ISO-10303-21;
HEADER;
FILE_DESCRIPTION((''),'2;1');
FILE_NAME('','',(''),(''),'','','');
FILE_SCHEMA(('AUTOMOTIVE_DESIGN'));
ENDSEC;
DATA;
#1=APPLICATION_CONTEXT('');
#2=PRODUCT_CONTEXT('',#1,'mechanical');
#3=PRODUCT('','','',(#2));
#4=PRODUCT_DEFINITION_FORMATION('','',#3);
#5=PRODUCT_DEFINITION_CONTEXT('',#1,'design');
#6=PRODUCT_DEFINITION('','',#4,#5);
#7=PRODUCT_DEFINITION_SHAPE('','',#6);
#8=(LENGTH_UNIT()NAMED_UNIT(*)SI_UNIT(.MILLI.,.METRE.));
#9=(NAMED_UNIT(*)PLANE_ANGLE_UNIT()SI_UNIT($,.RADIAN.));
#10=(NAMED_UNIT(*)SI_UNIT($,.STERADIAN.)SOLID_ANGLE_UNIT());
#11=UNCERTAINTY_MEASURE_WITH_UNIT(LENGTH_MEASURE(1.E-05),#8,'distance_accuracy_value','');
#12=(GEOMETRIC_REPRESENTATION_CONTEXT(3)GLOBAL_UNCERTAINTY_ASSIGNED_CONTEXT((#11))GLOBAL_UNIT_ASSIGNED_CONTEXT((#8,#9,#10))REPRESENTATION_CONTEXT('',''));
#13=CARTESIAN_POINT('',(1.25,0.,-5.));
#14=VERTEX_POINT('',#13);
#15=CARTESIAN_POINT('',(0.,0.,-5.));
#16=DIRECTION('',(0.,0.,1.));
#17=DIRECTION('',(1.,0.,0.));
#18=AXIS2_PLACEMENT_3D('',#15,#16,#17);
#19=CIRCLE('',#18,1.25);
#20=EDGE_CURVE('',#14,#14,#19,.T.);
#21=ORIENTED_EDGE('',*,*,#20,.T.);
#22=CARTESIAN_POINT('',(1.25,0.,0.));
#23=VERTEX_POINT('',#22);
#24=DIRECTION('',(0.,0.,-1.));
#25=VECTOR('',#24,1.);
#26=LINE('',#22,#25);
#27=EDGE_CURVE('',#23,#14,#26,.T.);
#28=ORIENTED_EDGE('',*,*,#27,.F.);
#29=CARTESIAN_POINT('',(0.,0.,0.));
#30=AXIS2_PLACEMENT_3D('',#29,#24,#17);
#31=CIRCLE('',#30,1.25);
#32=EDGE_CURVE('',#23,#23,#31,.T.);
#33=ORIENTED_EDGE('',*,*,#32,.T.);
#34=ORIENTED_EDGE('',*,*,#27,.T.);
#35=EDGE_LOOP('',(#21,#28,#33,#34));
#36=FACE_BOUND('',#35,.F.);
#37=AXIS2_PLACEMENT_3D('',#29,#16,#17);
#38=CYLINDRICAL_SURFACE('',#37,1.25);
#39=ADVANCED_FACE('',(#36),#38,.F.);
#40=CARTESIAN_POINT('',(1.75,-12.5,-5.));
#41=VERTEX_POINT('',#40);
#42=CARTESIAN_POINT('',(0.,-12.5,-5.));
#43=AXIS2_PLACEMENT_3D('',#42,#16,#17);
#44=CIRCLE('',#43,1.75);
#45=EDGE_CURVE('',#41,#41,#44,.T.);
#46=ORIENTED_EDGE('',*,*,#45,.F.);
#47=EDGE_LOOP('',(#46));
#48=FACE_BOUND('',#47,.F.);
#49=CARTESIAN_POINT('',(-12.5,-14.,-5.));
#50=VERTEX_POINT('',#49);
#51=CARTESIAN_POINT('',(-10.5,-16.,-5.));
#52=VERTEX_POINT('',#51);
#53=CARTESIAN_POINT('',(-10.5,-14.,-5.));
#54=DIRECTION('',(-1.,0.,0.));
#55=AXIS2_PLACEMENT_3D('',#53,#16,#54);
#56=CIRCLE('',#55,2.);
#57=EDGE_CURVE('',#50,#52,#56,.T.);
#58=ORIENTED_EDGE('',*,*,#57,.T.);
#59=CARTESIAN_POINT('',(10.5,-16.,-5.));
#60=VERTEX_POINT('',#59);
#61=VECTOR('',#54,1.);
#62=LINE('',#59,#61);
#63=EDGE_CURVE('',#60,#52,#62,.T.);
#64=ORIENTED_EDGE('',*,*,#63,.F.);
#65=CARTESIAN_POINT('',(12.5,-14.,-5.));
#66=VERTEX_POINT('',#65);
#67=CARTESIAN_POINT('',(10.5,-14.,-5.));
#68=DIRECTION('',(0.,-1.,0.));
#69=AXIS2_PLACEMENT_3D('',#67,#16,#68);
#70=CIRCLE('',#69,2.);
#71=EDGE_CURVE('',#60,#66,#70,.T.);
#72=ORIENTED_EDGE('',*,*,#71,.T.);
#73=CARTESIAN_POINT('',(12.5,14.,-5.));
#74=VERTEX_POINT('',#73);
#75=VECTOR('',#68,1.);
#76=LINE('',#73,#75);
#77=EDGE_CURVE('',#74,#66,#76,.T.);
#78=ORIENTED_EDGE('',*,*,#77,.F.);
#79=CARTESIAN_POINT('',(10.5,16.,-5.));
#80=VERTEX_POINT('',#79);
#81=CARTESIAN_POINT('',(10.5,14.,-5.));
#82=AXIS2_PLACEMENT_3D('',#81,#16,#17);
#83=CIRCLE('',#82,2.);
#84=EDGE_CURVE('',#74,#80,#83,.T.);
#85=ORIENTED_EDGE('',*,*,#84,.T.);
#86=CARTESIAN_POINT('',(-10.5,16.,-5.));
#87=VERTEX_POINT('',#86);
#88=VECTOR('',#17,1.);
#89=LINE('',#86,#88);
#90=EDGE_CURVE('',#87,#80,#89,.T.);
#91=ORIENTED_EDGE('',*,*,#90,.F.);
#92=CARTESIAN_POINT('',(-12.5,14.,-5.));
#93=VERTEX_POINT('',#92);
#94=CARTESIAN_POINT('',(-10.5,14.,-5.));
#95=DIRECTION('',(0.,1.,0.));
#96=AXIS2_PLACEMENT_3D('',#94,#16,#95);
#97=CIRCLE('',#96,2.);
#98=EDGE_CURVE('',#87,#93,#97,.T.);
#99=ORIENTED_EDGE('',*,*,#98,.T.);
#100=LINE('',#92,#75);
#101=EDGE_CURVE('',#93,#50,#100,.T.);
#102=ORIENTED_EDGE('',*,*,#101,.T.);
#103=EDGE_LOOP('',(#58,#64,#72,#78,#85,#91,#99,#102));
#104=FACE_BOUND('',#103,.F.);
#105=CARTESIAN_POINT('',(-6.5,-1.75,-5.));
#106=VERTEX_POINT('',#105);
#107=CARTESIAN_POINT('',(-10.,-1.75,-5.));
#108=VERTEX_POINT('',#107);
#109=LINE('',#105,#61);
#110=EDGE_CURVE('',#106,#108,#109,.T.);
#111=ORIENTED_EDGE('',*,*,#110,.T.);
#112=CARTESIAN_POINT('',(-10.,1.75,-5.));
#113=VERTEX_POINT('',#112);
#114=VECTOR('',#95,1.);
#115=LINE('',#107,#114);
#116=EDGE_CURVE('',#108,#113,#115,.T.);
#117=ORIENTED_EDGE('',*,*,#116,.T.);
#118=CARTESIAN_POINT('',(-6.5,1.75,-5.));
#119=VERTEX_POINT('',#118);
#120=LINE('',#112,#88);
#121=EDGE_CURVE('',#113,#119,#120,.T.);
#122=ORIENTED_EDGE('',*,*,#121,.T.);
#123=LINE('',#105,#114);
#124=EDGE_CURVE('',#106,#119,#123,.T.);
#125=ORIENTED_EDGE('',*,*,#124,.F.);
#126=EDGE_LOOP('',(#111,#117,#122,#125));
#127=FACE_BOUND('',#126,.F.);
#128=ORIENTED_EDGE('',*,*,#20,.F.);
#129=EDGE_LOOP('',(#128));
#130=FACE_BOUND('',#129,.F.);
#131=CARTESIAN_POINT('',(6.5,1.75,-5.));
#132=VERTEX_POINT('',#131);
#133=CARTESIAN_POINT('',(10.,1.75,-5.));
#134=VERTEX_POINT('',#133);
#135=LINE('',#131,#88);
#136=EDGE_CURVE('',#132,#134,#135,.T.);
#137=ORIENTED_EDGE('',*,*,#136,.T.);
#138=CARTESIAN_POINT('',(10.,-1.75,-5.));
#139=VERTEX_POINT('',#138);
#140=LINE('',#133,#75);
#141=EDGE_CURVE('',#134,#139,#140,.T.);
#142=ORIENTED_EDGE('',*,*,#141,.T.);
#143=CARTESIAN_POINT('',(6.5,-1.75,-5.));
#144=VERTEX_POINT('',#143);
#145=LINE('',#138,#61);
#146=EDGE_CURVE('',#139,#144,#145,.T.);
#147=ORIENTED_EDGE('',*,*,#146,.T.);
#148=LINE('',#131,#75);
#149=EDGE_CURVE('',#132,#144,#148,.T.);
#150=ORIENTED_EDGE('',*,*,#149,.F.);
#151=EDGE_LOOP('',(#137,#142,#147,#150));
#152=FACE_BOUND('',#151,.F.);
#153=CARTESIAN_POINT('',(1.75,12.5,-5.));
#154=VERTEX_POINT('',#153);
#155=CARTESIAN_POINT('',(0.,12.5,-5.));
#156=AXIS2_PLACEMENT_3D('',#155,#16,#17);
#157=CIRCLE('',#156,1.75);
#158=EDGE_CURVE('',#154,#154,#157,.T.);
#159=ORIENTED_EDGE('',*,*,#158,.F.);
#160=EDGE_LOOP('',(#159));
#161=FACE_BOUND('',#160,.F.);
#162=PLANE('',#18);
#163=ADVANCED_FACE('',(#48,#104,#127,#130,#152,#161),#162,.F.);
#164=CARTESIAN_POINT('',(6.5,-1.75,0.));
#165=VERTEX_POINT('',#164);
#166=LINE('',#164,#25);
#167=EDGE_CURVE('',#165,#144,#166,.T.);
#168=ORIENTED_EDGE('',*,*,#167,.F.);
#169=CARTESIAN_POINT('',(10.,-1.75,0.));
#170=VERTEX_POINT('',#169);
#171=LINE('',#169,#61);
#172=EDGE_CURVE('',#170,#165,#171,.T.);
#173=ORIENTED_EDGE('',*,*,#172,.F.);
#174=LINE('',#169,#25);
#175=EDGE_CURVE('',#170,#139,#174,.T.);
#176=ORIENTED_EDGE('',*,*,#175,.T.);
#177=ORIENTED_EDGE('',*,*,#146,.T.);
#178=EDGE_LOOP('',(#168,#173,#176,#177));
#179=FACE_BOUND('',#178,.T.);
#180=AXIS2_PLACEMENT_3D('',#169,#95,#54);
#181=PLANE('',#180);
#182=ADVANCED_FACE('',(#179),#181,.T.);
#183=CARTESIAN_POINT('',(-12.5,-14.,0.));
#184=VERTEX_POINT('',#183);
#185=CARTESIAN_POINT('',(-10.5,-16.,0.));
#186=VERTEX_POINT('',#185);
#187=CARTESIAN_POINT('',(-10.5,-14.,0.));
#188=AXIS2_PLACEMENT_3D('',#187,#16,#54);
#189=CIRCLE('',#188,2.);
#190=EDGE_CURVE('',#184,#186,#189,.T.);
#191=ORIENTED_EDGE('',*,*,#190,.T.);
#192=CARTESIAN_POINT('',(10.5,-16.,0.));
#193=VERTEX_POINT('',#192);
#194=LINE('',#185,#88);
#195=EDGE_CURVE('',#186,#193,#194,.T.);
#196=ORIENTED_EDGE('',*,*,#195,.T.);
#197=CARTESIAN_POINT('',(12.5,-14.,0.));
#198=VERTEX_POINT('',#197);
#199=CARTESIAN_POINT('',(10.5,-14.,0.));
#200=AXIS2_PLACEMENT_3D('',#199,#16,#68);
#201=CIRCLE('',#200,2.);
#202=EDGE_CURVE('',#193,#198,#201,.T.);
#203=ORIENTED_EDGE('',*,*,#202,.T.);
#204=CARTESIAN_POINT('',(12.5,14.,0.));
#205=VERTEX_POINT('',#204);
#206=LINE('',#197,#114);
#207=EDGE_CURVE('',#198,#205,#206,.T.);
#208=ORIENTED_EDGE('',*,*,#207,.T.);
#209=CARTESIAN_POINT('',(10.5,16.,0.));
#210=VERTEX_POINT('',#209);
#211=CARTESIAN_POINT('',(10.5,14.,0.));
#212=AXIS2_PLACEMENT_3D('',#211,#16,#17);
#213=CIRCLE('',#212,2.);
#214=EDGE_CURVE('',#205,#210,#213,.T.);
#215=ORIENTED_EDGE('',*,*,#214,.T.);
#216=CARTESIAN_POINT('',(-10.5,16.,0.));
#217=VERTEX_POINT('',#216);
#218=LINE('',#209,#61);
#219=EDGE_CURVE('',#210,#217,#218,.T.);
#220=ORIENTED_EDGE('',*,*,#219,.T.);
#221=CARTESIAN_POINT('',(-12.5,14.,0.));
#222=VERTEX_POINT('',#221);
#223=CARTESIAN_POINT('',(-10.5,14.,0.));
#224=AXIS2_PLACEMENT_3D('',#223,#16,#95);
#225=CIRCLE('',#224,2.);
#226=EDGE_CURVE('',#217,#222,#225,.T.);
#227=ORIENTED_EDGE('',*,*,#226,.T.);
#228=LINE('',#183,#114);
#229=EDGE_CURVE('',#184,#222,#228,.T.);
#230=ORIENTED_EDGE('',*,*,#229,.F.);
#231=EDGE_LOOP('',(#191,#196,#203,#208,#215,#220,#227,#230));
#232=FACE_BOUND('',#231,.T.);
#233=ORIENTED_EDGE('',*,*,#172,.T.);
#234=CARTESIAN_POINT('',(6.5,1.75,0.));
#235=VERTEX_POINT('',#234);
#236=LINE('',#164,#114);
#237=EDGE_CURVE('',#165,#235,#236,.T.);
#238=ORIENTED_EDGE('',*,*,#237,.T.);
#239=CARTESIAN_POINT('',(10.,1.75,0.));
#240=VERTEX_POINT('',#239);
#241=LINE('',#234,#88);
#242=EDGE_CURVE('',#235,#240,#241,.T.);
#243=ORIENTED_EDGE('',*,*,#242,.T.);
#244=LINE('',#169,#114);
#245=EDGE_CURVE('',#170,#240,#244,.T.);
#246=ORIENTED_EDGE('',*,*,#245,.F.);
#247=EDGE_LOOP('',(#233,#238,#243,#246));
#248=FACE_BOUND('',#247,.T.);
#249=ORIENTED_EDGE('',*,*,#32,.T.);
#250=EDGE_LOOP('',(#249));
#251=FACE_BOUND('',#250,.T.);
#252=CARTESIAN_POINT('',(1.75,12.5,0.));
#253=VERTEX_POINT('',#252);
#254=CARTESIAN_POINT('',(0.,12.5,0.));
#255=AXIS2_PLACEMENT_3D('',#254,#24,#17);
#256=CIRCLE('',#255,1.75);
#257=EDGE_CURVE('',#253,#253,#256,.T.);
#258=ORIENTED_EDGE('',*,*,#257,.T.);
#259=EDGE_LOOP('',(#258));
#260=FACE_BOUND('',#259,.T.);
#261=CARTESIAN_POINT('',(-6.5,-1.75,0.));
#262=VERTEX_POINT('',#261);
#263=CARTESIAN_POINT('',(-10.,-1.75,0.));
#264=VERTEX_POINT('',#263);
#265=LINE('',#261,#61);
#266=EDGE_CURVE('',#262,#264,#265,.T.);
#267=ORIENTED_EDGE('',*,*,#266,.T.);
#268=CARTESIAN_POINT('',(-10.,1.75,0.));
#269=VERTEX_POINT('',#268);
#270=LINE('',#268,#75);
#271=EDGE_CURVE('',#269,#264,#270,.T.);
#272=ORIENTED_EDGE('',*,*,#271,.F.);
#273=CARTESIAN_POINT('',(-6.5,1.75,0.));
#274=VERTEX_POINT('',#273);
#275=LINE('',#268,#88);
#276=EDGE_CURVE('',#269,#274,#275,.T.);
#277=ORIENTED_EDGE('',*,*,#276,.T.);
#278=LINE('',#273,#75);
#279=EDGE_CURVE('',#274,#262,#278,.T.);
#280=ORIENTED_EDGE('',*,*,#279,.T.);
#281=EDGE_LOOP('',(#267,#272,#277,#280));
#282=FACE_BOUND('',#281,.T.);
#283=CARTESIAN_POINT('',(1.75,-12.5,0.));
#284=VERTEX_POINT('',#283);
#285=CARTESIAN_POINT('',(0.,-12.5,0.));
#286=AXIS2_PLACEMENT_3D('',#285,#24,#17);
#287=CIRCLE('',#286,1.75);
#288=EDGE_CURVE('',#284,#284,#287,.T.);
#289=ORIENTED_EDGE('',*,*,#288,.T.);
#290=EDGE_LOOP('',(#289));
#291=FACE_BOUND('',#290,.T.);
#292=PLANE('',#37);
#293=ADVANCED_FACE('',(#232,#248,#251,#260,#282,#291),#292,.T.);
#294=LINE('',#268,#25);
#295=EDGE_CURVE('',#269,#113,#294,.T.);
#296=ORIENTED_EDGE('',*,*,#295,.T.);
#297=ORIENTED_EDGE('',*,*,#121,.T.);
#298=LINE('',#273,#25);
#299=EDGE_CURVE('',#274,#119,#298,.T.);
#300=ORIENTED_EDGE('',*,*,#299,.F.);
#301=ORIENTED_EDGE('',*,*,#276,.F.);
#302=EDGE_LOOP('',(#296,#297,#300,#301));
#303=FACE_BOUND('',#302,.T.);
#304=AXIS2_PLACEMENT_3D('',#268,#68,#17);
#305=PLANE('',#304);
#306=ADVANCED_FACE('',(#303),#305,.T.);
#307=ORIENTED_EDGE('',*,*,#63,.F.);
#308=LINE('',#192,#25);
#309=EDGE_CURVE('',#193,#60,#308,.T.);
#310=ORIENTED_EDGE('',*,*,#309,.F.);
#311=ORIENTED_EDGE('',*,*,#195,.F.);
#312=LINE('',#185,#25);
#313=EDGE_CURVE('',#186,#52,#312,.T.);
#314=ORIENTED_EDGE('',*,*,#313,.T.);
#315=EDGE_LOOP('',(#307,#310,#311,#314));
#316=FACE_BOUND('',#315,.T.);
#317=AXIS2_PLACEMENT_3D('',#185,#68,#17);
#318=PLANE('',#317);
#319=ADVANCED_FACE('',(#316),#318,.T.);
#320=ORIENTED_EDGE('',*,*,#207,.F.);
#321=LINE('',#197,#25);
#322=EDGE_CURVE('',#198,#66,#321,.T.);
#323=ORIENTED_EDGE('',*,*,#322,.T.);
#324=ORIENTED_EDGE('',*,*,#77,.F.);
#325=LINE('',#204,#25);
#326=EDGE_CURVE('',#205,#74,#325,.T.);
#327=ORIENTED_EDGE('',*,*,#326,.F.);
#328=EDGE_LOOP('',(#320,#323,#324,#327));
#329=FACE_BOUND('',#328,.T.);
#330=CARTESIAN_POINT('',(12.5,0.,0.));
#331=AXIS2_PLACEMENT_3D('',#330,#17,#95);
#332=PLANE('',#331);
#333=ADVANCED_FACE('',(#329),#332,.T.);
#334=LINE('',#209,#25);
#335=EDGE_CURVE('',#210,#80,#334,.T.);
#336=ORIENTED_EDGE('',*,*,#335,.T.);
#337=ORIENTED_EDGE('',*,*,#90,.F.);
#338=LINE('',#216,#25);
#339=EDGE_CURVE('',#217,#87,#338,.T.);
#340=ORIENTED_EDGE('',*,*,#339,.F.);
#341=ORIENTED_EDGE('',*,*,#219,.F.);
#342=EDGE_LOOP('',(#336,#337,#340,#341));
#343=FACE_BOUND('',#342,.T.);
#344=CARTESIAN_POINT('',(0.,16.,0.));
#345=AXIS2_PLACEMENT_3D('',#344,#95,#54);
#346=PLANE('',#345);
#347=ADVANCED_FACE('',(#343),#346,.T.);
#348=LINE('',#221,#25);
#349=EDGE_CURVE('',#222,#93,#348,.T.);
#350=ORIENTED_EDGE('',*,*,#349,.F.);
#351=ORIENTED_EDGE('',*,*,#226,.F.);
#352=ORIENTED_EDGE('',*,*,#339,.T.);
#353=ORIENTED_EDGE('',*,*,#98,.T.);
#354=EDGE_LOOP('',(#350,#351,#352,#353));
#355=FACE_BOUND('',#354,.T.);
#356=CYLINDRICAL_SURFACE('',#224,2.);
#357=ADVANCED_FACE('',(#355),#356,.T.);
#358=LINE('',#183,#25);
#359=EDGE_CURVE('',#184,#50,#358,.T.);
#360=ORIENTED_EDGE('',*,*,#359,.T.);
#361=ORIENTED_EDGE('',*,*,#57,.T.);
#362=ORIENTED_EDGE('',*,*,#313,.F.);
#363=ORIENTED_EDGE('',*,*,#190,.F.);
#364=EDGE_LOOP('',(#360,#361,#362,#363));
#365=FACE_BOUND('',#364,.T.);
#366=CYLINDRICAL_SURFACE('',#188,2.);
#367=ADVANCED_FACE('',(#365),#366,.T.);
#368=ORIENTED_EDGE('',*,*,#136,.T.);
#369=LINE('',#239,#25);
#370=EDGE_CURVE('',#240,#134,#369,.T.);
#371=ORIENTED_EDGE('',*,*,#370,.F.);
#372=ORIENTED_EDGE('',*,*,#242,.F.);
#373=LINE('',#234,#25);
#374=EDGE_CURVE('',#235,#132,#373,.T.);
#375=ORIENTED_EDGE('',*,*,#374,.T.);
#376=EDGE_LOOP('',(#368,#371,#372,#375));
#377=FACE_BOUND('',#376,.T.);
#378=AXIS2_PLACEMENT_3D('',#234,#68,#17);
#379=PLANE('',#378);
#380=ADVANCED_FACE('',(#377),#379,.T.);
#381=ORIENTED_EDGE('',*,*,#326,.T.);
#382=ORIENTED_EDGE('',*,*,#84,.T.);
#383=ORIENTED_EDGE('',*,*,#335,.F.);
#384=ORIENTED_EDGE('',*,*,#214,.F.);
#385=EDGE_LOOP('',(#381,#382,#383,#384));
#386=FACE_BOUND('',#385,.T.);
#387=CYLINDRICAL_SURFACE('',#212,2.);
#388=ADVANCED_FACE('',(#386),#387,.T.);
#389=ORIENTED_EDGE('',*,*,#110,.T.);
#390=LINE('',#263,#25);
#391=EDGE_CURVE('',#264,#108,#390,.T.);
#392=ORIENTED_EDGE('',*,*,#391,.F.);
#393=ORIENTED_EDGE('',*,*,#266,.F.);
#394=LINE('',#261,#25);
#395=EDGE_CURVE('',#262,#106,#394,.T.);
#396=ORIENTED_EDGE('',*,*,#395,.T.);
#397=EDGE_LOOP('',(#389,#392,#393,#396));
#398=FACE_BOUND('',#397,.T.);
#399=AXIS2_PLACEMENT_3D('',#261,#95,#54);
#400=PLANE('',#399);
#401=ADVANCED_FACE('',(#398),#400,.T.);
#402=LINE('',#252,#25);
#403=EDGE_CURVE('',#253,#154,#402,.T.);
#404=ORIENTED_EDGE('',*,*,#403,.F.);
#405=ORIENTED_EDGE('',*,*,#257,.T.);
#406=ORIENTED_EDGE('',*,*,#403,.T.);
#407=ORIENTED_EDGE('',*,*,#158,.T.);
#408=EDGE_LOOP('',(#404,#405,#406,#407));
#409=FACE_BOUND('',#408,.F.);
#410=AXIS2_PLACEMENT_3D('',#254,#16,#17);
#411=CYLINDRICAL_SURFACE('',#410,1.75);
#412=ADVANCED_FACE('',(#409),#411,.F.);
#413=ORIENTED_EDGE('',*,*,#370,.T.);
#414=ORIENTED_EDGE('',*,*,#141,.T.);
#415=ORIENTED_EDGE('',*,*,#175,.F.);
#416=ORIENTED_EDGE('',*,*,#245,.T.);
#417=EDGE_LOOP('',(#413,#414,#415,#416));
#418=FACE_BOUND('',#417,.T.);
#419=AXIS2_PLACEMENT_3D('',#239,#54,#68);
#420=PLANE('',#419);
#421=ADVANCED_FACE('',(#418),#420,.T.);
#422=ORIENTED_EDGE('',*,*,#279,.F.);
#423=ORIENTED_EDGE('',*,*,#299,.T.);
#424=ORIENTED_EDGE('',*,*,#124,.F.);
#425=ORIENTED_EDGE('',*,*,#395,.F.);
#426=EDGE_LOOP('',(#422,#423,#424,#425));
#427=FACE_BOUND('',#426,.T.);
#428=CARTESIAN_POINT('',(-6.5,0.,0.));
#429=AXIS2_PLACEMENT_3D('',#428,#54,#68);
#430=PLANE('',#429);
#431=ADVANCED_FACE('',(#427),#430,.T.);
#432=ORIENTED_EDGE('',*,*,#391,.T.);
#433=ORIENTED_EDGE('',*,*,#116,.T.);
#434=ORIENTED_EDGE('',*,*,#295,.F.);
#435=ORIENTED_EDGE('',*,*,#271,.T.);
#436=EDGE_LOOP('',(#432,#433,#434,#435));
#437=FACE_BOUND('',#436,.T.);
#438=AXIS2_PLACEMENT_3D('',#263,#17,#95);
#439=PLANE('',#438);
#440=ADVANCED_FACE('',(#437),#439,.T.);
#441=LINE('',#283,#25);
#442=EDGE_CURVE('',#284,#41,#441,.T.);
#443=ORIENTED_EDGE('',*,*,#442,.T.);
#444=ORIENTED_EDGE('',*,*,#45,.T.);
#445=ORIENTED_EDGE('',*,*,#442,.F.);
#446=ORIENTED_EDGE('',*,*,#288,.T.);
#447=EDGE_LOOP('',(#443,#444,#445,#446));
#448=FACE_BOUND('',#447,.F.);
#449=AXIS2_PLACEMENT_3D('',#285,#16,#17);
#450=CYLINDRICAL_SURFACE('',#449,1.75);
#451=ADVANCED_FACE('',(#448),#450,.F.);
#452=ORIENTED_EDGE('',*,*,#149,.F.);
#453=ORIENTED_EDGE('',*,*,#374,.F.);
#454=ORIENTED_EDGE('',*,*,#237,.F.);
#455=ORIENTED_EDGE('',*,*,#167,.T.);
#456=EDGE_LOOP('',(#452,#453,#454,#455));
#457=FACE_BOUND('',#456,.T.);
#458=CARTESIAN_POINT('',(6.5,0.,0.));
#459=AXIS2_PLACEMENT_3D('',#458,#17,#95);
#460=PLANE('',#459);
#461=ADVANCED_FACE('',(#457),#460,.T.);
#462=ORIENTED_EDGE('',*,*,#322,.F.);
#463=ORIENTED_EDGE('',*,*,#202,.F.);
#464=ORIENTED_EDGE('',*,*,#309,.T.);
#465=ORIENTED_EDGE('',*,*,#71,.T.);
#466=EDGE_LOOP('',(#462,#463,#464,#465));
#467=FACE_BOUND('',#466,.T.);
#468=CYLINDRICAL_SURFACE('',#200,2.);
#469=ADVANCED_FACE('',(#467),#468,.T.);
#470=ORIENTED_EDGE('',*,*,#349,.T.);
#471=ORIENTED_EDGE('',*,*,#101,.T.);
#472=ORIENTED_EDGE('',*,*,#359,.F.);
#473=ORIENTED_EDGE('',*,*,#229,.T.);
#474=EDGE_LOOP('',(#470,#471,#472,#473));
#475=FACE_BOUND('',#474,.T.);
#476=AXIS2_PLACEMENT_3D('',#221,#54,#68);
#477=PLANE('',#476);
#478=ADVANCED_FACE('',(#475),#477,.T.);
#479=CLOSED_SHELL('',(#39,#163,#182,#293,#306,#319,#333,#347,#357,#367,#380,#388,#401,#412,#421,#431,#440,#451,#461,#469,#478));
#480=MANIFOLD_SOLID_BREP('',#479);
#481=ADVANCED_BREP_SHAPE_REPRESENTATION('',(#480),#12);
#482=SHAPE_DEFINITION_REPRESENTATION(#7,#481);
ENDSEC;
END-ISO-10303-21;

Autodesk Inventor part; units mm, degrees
ref_plane "YZ Plane" through (0, 0, 0) normal (1, 0, 0) x (0, 1, 0)
ref_plane "XZ Plane" through (0, 0, 0) normal (0, 1, 0) x (-1, 0, 0)
ref_plane "XY Plane" through (0, 0, 0) normal (0, 0, 1) x (1, 0, 0)
sketch "Skizze1" plane through (0, 0, 0) normal (0, 0, 1) x (1, 0, 0)
  line L0 (-18.0799, 0) -> (18.0799, 0) projected
  line L1 (0, -22.9799) -> (0, 22.9799) projected
  line L2 (-10.5, -16) -> (10.5, -16)
  line L3 (12.5, -14) -> (12.5, 14)
  line L4 (10.5, 16) -> (-10.5, 16)
  line L5 (-12.5, 14) -> (-12.5, -14)
  line L6 (-12.5, -16) -> (12.5, 16) construction
  line L7 (12.5, -16) -> (-12.5, 16) construction
  arc A0 (-10.5, 16) -> (-12.5, 14) centre (-10.5, 14) ccw
  arc A1 (-12.5, -14) -> (-10.5, -16) centre (-10.5, -14) ccw
  arc A2 (10.5, -16) -> (12.5, -14) centre (10.5, -14) ccw
  arc A3 (12.5, 14) -> (10.5, 16) centre (10.5, 14) ccw
  point P0 (0, 0)
  dimension "d0" = 25
  dimension "d1" = 32
  dimension "d2" = 2
extrude "Extrusion1" add sketch "Skizze1" against normal blind 5
sketch "Skizze2" plane through (0, 0, 0) normal (0, 0, 1) x (1, 0, 0)
  line L0 (12.5, -14) -> (12.5, 14) projected
  arc A0 (12.5, 14) -> (10.5, 16) centre (10.5, 14) ccw projected
  line L1 (10.5, 16) -> (-10.5, 16) projected
  arc A1 (-10.5, 16) -> (-12.5, 14) centre (-10.5, 14) ccw projected
  line L2 (-12.5, 14) -> (-12.5, -14) projected
  arc A2 (-12.5, -14) -> (-10.5, -16) centre (-10.5, -14) ccw projected
  line L3 (-10.5, -16) -> (10.5, -16) projected
  arc A3 (10.5, -16) -> (12.5, -14) centre (10.5, -14) ccw projected
  line L4 (-18.0799, 0) -> (18.0799, 0) projected
  line L5 (0, -22.9799) -> (0, 22.9799) projected
  circle A4 centre (0, 12.5) radius 1.75
  circle A5 centre (0, -12.5) radius 1.75
  point P0 (0, 0)
  dimension "d5" = 3.5
  dimension "d6" = 3.5
  dimension "d7" = 25
  dimension "d8" = 3.5
extrude "Extrusion2" cut sketch "Skizze2" against normal blind 5 contours A5 L5 | L5 A5 | A4 L5 | L5 A4
sketch "Skizze3" plane through (0, 0, 0) normal (0, 0, 1) x (1, 0, 0)
  circle A0 centre (0, -12.5) radius 1.75 projected
  circle A1 centre (0, 12.5) radius 1.75 projected
  line L0 (12.5, -14) -> (12.5, 14) projected
  arc A2 (12.5, 14) -> (10.5, 16) centre (10.5, 14) ccw projected
  line L1 (10.5, 16) -> (-10.5, 16) projected
  arc A3 (-10.5, 16) -> (-12.5, 14) centre (-10.5, 14) ccw projected
  line L2 (-12.5, 14) -> (-12.5, -14) projected
  arc A4 (-12.5, -14) -> (-10.5, -16) centre (-10.5, -14) ccw projected
  line L3 (-10.5, -16) -> (10.5, -16) projected
  arc A5 (10.5, -16) -> (12.5, -14) centre (10.5, -14) ccw projected
  line L4 (-18.0799, 0) -> (18.0799, 0) projected
  line L5 (0, -22.9799) -> (0, 22.9799) projected
  line L6 (-10, 1.75) -> (-6.5, 1.75)
  line L7 (-6.5, 1.75) -> (-6.5, -1.75)
  line L8 (-6.5, -1.75) -> (-10, -1.75)
  line L9 (-10, -1.75) -> (-10, 1.75)
  line L10 (6.5, 1.75) -> (10, 1.75)
  line L11 (10, 1.75) -> (10, -1.75)
  line L12 (10, -1.75) -> (6.5, -1.75)
  line L13 (6.5, -1.75) -> (6.5, 1.75)
  point P0 (0, 0)
  dimension "d11" = 3.5
  dimension "d12" = 3.5
  dimension "d13" = 3.5
  dimension "d14" = 3.5
  dimension "d15" = 13
extrude "Extrusion3" cut sketch "Skizze3" against normal blind 5 contours L7 L8 L9 L4 | L4 L9 L6 L7 | L13 L10 L11 L4 | L4 L11 L12 L13
sketch "Skizze4" plane through (0, 0, 0) normal (0, 0, 1) x (1, 0, 0)
  line L0 (6.5, 1.75) -> (10, 1.75) projected
  line L1 (10, 1.75) -> (10, -1.75) projected
  line L2 (10, -1.75) -> (6.5, -1.75) projected
  line L3 (6.5, -1.75) -> (6.5, 1.75) projected
  line L4 (-10, 1.75) -> (-6.5, 1.75) projected
  line L5 (-6.5, 1.75) -> (-6.5, -1.75) projected
  line L6 (-6.5, -1.75) -> (-10, -1.75) projected
  line L7 (-10, -1.75) -> (-10, 1.75) projected
  circle A0 centre (0, -12.5) radius 1.75 projected
  circle A1 centre (0, 12.5) radius 1.75 projected
  line L8 (12.5, -14) -> (12.5, 14) projected
  arc A2 (12.5, 14) -> (10.5, 16) centre (10.5, 14) ccw projected
  line L9 (10.5, 16) -> (-10.5, 16) projected
  arc A3 (-10.5, 16) -> (-12.5, 14) centre (-10.5, 14) ccw projected
  line L10 (-12.5, 14) -> (-12.5, -14) projected
  arc A4 (-12.5, -14) -> (-10.5, -16) centre (-10.5, -14) ccw projected
  line L11 (-10.5, -16) -> (10.5, -16) projected
  arc A5 (10.5, -16) -> (12.5, -14) centre (10.5, -14) ccw projected
  line L12 (-18.0799, 0) -> (18.0799, 0) projected
  line L13 (0, -22.9799) -> (0, 22.9799) projected
  circle A6 centre (0, 0) radius 1.25
  dimension "d18" = 2.5
extrude "Extrusion4" cut sketch "Skizze4" against normal blind 5 contours A6 L13 L12 | L12 L13 A6 | L13 A6 L12 | L12 A6 L13
properties part number "I Rückwand Adapter" material "PBT-Kunststoff"
